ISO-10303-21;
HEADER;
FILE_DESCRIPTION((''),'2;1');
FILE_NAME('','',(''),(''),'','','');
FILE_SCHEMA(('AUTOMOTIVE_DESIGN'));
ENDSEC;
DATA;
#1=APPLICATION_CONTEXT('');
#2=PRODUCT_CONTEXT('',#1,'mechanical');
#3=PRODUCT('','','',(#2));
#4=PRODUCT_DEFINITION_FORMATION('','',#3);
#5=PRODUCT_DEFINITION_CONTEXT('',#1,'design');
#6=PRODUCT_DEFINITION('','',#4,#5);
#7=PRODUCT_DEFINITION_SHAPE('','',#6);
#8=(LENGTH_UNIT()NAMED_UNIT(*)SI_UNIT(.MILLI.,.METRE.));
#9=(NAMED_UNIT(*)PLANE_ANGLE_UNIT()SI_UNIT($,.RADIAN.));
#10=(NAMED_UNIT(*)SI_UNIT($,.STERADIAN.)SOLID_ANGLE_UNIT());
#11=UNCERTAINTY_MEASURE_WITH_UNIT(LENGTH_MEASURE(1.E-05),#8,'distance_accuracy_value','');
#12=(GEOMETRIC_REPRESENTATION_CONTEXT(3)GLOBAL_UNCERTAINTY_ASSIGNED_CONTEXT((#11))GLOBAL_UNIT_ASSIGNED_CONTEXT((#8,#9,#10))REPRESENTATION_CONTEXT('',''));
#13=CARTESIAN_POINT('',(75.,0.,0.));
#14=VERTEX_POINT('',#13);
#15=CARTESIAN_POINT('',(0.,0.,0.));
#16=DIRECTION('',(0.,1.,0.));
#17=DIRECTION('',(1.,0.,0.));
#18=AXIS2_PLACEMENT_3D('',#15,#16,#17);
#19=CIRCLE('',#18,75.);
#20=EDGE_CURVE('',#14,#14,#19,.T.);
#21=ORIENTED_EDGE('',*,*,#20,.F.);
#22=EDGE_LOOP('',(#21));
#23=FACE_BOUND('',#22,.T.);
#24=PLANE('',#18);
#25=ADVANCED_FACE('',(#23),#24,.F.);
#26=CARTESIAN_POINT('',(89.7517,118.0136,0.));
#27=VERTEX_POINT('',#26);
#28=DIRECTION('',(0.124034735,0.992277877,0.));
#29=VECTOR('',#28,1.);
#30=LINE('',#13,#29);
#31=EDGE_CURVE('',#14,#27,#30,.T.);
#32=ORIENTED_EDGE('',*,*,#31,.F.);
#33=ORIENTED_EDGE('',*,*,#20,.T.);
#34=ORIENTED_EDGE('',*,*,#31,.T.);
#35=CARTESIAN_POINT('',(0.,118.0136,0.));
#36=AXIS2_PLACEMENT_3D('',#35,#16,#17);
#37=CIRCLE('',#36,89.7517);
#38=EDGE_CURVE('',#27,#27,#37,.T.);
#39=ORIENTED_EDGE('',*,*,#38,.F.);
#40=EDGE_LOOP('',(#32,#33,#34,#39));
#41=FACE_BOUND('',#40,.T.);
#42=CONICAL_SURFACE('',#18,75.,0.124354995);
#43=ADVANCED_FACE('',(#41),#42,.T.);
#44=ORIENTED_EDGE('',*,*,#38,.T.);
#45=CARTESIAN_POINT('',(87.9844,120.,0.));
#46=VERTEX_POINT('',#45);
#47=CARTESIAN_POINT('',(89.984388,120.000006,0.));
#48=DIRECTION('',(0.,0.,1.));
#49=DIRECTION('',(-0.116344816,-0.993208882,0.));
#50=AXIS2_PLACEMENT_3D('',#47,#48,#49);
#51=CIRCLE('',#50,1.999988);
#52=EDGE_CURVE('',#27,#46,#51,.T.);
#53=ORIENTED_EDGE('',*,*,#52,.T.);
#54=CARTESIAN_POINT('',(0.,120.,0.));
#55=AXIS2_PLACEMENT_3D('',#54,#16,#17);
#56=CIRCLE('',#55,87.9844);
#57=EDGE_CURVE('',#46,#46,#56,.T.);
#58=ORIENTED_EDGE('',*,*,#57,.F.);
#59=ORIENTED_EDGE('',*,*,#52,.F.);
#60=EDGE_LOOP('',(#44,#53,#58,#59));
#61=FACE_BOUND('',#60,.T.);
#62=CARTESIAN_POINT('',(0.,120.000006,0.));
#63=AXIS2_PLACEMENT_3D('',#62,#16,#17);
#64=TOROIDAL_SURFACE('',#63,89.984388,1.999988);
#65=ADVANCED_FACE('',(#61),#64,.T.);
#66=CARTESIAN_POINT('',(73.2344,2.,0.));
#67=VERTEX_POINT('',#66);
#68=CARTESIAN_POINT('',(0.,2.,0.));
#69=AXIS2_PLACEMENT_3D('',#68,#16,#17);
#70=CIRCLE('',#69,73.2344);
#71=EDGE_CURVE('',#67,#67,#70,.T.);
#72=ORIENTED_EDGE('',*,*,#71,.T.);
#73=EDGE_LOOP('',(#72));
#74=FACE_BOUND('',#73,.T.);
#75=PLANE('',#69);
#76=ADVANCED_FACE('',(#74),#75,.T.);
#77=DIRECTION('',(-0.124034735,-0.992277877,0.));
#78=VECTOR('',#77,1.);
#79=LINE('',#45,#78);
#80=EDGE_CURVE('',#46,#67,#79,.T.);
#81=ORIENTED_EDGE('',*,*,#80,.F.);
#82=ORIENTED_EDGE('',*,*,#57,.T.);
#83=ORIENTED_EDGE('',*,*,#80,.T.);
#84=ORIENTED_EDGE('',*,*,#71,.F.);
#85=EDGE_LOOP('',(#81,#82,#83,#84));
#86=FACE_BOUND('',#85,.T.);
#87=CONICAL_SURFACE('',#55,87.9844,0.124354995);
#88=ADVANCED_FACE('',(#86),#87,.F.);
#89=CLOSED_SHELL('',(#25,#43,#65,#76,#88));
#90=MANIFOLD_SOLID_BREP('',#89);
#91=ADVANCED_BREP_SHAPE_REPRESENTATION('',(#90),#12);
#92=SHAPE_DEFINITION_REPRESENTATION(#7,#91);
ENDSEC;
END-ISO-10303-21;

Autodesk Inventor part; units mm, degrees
ref_plane "YZ Plane" through (0, 0, 0) normal (1, 0, 0) x (0, 1, 0)
ref_plane "XZ Plane" through (0, 0, 0) normal (0, 1, 0) x (-1, 0, 0)
ref_plane "XY Plane" through (0, 0, 0) normal (0, 0, 1) x (1, 0, 0)
sketch "Boceto1" plane through (0, 0, 0) normal (0, 0, 1) x (1, 0, 0)
  line L0 (0, 0) -> (75, 0)
  line L1 (75, 0) -> (89.7517, 118.0136)
  line L2 (87.9844, 120) -> (73.2344, 2)
  line L3 (73.2344, 2) -> (0, 2)
  arc A0 (89.7517, 118.0136) -> (87.9844, 120) centre (89.9844, 120) ccw
  line L4 (0, 2) -> (0, 0)
  line L5 (0, -24.5647) -> (0, 147.3883) projected
  dimension "d0" = 75
  dimension "d3" = 2
  dimension "d4" = 82.875
  dimension "d5" = 4
revolve "Revolución1" add sketch "Boceto1" angle 360 about axis through (0, -10, 0) along (0, 1, 0)
properties part number "test_2"
